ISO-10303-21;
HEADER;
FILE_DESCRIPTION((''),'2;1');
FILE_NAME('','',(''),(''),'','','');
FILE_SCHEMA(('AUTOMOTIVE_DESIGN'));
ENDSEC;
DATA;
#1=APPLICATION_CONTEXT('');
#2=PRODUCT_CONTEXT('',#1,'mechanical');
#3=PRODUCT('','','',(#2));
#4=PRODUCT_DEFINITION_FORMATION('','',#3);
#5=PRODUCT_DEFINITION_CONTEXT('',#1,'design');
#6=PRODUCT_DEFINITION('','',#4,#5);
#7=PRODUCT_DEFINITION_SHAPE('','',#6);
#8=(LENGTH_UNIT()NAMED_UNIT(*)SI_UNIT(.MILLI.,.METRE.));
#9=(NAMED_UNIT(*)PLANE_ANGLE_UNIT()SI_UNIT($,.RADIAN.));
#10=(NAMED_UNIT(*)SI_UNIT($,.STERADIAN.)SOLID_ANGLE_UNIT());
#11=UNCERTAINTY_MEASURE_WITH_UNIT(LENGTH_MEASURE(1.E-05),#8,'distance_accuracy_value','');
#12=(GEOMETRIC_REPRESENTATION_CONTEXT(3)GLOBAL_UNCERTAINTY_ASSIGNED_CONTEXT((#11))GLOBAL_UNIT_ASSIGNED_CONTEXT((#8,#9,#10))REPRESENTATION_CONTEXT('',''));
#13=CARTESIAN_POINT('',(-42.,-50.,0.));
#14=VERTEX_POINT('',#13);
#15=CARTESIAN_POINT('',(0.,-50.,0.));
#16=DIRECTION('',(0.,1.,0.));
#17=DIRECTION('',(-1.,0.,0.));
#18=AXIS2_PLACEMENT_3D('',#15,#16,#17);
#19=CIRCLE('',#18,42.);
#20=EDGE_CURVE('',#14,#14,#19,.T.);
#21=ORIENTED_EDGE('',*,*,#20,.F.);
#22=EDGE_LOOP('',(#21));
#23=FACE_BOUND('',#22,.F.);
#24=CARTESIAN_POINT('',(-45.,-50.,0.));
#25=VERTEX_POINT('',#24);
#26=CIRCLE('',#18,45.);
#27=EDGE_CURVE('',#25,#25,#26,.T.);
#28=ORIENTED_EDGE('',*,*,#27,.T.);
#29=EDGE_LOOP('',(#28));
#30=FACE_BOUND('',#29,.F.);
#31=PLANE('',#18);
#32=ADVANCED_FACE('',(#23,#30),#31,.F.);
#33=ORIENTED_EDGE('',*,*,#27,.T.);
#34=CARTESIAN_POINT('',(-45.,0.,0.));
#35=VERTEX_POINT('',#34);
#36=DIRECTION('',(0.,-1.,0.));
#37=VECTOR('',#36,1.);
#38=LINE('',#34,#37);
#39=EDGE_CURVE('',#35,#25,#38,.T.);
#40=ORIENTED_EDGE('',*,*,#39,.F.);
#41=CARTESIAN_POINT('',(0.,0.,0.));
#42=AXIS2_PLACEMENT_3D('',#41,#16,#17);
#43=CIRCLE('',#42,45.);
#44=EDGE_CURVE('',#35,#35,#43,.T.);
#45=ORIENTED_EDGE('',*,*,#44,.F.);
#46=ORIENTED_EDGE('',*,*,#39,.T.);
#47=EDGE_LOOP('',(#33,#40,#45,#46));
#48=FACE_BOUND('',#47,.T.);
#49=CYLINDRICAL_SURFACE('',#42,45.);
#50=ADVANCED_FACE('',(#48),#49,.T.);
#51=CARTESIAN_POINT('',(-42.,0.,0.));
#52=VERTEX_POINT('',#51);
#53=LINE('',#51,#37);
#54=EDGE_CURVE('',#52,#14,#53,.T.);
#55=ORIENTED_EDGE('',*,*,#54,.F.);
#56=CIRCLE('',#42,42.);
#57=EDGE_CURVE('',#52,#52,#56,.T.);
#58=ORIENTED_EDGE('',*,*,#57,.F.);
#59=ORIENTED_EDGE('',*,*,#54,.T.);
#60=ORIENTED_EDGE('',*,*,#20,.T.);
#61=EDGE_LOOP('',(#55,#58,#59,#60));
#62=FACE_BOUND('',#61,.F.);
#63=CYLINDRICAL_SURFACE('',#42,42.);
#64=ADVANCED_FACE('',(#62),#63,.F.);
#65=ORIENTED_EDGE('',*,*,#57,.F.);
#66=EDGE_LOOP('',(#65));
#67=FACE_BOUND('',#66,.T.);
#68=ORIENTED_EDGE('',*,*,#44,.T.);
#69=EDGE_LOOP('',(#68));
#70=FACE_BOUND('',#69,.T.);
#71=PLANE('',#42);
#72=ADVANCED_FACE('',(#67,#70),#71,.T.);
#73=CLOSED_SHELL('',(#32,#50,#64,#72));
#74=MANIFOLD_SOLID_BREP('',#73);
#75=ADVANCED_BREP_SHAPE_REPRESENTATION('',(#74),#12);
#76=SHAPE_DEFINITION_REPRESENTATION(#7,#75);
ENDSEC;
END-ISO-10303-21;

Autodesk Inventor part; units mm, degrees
ref_plane "YZ Plane" through (0, 0, 0) normal (1, 0, 0) x (0, 1, 0)
ref_plane "XZ Plane" through (0, 0, 0) normal (0, 1, 0) x (-1, 0, 0)
ref_plane "XY Plane" through (0, 0, 0) normal (0, 0, 1) x (1, 0, 0)
sketch "Sketch1" plane through (0, 0, 0) normal (0, 1, 0) x (-1, 0, 0)
  circle A0 centre (0, 0) radius 45
  circle A1 centre (0, 0) radius 42
  dimension "d0" = 90
  dimension "d1" = 3
extrude "Extrusion1" add sketch "Sketch1" against normal blind 50
properties part number "PRS 1611 hatch tube 500mm_D1200" material "Steel"
